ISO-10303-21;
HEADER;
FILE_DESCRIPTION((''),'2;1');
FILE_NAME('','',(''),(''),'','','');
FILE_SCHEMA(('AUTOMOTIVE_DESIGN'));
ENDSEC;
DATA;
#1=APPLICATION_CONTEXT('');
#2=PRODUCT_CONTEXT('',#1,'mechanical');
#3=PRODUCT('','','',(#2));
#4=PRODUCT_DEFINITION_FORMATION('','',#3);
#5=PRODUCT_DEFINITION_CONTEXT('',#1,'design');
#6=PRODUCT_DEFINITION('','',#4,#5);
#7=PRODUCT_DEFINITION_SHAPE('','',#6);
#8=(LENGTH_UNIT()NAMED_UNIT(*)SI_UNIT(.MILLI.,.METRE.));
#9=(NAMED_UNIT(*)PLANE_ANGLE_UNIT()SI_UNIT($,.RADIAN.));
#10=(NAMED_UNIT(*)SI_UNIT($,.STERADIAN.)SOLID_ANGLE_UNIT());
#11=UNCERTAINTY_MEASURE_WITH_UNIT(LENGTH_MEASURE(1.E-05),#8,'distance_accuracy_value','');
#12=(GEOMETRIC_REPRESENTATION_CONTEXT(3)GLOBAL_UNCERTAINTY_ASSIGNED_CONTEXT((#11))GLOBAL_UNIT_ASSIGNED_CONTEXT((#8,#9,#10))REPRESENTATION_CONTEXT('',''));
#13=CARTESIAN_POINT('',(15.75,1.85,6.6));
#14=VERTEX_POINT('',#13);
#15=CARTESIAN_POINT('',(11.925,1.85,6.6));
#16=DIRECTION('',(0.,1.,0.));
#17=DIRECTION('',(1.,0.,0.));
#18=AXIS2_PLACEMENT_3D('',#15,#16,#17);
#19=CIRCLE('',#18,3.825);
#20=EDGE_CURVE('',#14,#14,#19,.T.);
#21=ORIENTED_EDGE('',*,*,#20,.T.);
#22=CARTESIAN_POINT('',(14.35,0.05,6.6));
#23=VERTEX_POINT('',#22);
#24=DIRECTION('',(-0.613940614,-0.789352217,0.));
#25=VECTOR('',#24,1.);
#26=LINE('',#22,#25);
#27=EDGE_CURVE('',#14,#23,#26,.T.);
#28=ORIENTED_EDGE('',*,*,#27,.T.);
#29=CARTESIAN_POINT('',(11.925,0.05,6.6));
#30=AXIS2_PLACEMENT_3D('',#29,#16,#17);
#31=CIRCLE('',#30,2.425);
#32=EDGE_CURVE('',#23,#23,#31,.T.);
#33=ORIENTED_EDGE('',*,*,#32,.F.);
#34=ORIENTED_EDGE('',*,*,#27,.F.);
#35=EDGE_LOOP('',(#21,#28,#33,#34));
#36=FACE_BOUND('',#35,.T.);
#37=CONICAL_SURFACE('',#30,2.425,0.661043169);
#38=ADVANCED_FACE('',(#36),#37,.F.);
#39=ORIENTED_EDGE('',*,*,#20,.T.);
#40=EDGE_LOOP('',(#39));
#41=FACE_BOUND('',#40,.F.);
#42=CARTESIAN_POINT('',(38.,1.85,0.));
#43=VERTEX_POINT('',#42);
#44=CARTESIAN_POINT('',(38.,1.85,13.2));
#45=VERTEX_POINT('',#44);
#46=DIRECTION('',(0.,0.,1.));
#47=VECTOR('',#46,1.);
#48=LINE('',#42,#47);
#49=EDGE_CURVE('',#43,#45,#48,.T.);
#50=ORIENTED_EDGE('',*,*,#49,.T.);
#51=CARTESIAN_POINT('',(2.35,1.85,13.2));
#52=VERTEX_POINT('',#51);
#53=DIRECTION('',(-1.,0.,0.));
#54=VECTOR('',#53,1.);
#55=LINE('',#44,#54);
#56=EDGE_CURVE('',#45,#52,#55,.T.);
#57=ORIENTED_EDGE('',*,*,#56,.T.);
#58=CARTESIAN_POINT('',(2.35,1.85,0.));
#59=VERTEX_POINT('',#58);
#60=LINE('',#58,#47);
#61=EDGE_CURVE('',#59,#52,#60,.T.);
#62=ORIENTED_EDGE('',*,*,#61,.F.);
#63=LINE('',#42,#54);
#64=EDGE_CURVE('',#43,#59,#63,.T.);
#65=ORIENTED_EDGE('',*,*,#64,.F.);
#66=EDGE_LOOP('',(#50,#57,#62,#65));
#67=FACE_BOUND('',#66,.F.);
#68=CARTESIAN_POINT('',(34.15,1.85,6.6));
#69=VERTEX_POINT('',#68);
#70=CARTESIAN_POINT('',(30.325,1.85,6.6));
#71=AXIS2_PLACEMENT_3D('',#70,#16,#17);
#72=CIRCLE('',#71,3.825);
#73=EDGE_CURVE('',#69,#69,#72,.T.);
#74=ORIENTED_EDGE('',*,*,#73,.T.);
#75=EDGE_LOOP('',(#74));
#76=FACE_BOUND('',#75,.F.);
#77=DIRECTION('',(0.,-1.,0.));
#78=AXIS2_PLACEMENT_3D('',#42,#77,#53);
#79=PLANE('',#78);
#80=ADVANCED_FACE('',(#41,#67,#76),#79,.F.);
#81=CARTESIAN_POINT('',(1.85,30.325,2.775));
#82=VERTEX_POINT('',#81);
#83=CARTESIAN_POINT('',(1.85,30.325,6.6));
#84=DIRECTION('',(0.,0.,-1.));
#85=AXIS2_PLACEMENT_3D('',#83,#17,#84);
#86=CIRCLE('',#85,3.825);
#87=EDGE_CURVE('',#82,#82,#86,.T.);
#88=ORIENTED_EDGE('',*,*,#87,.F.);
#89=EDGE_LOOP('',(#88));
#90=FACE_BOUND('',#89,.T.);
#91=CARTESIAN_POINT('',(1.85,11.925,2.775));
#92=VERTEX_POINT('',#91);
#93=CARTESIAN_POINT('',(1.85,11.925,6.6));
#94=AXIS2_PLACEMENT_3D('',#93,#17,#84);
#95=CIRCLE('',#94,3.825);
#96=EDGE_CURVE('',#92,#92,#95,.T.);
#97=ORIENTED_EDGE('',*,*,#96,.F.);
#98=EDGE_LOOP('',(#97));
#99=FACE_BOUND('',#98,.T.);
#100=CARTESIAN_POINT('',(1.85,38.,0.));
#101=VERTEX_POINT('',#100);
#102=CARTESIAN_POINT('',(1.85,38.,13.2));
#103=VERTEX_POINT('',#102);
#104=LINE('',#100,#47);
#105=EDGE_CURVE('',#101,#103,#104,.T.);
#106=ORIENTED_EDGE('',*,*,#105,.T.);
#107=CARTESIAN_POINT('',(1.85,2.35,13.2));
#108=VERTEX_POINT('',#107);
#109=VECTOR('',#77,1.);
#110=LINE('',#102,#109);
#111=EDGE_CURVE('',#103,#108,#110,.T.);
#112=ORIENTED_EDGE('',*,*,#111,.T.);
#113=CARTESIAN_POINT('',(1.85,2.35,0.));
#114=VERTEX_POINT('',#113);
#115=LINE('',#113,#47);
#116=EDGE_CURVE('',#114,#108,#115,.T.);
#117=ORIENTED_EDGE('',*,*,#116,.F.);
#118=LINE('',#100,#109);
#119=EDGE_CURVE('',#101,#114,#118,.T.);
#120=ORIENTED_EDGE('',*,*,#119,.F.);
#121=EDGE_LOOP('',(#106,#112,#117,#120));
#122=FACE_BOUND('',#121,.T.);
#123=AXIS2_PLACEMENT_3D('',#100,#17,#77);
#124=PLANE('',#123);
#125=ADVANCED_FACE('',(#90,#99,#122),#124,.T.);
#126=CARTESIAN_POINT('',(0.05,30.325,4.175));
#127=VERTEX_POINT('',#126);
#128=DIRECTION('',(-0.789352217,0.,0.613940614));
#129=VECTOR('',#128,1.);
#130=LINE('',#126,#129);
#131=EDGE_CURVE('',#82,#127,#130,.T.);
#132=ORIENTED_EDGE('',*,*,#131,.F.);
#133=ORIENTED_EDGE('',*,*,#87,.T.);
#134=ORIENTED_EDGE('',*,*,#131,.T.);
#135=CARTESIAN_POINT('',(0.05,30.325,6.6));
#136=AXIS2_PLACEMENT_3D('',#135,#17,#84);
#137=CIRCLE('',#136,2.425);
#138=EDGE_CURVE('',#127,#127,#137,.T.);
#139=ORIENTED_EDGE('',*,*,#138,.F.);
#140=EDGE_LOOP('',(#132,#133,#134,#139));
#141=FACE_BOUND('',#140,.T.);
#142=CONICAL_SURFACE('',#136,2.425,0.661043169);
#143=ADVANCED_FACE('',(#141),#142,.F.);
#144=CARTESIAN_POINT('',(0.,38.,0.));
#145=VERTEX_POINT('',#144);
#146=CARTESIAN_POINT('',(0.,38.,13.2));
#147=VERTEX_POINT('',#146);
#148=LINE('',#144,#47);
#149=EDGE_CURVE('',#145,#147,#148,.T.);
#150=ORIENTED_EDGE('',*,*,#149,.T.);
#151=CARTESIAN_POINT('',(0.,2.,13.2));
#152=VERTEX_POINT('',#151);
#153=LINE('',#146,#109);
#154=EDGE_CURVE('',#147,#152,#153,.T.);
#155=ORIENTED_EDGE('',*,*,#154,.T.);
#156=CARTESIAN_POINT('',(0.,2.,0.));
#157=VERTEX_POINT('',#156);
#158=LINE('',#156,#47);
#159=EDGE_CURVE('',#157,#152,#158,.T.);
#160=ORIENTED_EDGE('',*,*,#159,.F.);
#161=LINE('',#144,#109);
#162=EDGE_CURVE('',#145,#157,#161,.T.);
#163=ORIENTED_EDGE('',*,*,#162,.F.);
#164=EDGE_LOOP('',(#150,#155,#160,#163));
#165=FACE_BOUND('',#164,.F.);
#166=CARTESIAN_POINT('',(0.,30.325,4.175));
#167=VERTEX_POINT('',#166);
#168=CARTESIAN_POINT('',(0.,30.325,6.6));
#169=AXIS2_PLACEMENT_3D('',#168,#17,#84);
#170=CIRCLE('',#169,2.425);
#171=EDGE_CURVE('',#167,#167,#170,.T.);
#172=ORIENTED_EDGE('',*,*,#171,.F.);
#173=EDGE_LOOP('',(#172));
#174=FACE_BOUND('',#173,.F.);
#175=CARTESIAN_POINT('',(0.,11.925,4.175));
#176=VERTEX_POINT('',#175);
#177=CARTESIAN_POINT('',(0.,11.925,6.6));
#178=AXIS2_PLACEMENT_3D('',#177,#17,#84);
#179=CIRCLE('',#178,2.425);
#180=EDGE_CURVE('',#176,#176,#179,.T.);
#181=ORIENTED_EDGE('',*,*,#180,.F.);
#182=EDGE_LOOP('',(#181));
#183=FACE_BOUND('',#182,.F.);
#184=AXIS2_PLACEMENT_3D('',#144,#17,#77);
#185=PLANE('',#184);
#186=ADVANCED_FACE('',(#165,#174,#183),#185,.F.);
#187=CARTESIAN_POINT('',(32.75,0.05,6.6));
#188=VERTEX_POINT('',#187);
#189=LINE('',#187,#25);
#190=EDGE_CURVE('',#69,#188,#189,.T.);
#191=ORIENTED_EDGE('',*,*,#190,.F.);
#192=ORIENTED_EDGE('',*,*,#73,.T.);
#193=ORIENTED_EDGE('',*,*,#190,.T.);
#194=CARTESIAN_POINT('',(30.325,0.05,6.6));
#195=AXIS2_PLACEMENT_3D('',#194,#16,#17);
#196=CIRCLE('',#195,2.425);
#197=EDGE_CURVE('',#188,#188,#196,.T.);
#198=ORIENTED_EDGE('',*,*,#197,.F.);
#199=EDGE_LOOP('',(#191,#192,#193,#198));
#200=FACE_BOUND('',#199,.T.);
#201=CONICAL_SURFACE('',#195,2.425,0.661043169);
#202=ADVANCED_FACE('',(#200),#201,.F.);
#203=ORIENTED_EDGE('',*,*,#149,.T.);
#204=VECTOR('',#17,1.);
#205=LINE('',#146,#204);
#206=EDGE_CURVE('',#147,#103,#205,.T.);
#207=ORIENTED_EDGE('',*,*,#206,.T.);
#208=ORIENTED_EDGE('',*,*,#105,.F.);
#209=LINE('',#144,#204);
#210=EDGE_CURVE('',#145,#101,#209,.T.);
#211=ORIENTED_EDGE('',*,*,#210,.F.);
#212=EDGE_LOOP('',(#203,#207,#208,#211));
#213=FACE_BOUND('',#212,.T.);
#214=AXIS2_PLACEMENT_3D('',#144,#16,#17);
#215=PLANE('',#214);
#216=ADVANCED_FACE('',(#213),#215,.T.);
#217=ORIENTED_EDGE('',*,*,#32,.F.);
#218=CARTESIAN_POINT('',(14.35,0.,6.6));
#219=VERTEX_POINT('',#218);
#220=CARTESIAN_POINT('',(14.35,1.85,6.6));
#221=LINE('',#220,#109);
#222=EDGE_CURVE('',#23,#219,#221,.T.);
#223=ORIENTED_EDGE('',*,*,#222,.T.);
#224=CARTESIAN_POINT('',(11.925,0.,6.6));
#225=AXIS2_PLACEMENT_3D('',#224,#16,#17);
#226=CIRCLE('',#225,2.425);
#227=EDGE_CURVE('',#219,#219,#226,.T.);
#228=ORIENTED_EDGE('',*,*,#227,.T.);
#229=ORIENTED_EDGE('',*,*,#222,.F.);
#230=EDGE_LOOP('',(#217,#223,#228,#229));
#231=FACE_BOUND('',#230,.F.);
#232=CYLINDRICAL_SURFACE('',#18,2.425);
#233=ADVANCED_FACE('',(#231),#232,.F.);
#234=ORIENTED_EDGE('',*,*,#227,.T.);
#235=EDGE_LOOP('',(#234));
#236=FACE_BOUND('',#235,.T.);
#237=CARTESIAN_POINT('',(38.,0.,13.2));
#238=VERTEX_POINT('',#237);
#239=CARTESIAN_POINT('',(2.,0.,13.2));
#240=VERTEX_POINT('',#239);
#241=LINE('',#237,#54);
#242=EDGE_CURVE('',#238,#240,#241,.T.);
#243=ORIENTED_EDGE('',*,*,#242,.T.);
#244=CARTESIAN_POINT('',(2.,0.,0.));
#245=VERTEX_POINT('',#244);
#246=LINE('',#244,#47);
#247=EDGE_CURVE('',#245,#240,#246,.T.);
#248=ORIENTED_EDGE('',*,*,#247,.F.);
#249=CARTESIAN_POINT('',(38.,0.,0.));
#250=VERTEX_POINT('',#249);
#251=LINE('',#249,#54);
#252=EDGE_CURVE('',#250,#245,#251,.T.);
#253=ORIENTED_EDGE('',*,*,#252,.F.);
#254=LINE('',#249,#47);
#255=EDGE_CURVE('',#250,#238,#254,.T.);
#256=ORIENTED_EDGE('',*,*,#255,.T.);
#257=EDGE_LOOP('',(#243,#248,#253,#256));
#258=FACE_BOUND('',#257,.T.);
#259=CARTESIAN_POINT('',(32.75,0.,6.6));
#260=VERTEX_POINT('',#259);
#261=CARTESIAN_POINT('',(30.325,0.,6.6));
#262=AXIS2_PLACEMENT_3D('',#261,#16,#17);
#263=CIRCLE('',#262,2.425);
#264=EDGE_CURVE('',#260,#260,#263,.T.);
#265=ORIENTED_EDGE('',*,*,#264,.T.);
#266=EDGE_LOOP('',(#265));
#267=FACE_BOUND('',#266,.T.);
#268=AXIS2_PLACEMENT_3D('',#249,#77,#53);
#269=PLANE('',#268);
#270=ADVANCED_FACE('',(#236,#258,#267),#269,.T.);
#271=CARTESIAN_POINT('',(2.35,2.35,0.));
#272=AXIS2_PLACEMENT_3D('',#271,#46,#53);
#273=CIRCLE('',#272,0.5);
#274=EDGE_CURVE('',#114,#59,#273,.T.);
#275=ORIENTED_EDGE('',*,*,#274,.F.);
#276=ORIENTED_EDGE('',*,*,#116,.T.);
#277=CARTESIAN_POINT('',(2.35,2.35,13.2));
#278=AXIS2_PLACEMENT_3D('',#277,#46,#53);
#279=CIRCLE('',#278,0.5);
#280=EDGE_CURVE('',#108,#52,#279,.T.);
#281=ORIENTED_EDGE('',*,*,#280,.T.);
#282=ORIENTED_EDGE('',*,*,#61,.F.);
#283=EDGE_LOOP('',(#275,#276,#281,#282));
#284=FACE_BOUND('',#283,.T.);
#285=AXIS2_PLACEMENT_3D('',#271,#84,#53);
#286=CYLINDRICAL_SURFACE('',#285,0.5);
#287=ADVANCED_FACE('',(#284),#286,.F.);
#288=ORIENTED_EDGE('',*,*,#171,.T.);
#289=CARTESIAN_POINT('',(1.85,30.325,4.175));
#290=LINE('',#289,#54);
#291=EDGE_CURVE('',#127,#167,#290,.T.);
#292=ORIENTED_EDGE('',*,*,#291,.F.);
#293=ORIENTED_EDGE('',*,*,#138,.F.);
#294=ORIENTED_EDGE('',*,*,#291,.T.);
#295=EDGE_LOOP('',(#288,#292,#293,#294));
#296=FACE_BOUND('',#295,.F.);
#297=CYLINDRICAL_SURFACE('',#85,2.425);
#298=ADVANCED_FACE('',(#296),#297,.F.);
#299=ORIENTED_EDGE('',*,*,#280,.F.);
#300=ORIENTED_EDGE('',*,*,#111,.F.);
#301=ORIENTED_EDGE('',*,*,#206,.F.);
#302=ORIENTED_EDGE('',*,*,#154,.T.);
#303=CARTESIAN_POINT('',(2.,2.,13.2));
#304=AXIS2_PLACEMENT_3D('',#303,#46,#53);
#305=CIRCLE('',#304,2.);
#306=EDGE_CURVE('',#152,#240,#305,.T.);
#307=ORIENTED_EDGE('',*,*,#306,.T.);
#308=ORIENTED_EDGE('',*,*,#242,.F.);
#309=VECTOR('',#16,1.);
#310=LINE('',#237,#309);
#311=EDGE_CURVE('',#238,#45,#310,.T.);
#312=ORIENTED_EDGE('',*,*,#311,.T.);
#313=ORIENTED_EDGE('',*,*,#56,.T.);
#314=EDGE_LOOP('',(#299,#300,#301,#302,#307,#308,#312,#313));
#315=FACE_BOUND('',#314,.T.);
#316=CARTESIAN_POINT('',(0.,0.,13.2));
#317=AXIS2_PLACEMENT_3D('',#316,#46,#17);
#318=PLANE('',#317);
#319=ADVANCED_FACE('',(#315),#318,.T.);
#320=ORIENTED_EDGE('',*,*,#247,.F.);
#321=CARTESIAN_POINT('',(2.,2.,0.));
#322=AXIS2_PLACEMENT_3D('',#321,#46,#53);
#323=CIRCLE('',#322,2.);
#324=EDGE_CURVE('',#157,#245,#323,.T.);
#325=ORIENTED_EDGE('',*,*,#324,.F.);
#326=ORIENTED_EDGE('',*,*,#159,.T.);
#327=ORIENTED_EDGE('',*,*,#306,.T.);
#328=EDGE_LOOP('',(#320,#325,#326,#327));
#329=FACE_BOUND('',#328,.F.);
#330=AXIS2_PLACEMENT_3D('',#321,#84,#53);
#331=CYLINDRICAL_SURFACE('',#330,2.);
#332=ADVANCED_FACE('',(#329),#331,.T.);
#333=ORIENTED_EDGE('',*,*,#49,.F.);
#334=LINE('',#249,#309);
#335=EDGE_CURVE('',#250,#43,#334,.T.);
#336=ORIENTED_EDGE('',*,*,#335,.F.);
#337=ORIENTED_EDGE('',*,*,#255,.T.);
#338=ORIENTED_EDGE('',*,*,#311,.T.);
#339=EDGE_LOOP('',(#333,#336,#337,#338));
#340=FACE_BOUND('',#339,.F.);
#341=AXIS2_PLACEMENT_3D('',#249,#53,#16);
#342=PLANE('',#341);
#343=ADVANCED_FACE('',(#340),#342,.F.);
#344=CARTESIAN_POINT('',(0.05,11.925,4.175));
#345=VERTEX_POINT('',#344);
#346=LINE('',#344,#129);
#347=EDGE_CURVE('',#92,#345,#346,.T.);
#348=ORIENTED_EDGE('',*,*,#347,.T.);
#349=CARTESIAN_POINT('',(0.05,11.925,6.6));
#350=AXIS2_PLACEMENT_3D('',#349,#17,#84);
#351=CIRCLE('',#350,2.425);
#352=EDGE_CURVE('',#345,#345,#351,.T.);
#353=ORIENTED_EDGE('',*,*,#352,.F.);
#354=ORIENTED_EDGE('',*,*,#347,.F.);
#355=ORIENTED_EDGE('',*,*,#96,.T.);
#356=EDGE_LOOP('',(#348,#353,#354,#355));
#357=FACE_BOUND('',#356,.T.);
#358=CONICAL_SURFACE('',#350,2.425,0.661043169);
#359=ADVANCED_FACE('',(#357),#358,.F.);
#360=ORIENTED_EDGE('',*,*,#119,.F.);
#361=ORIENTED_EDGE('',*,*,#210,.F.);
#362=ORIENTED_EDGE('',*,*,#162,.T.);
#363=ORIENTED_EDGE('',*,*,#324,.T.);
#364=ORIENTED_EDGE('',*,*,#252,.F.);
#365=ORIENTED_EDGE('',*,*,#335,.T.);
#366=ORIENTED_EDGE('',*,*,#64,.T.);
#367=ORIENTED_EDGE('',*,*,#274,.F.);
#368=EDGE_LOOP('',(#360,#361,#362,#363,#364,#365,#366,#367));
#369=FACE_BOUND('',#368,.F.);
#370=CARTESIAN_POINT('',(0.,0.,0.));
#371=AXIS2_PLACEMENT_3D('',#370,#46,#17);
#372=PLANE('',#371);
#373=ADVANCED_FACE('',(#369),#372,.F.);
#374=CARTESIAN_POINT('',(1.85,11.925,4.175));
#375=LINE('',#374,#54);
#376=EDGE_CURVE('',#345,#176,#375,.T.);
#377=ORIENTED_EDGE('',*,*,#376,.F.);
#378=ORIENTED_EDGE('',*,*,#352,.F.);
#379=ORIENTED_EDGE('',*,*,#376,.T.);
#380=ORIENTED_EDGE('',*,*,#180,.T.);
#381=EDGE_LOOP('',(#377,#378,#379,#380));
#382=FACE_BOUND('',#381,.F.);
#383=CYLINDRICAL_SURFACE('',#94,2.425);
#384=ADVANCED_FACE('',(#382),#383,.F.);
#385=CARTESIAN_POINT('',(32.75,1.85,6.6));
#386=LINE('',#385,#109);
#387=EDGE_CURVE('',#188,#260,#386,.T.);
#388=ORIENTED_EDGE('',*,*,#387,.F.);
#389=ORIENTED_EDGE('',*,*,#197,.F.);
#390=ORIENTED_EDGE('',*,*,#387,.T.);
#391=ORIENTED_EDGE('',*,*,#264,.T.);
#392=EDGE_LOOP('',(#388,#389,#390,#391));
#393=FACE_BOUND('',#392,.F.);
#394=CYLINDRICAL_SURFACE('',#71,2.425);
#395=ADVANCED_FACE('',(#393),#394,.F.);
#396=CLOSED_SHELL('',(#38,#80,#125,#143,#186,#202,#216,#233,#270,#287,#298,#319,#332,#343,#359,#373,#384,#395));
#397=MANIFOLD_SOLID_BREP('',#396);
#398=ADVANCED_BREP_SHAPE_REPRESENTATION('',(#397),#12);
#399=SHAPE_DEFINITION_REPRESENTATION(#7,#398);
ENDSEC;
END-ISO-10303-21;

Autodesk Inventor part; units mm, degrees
ref_plane "YZ Plane" through (0, 0, 0) normal (1, 0, 0) x (0, 1, 0)
ref_plane "XZ Plane" through (0, 0, 0) normal (0, 1, 0) x (-1, 0, 0)
ref_plane "XY Plane" through (0, 0, 0) normal (0, 0, 1) x (1, 0, 0)
sketch "Sketch1" plane through (0, 0, 0) normal (0, 0, 1) x (1, 0, 0)
  line L0 (0, 38) -> (1.85, 38)
  line L1 (1.85, 38) -> (1.85, 2.35)
  line L2 (0, 38) -> (0, 2)
  line L3 (38, 0) -> (38, 1.85)
  line L4 (38, 1.85) -> (2.35, 1.85)
  line L5 (38, 0) -> (2, 0)
  arc A0 (1.85, 2.35) -> (2.35, 1.85) centre (2.35, 2.35) ccw
  arc A1 (0, 2) -> (2, 0) centre (2, 2) ccw
  point P0 (0, 0)
  dimension "d0" = 1.85
  dimension "d1" = 1.85
  dimension "d2" = 38
  dimension "d3" = 38
  dimension "d4" = 0.5
  dimension "d5" = 2
extrude "Extrusion1" add sketch "Sketch1" along normal blind 13.2
sketch "Sketch2" plane through (1.85, 2.35, 0) normal (1, 0, 0) x (0, 0, -1)
  circle A0 centre (-6.6, 27.975) radius 2.425
  circle A1 centre (-6.6, 9.575) radius 2.425
  line L0 (0, 35.65) -> (-13.2, 35.65) projected
  line L1 (-13.2, 0) -> (-13.2, 35.65) projected
  point P0 (0, -2.35)
  dimension "d8" = 18.4
  dimension "d9" = 4.85
  dimension "d10" = 4.85
  dimension "d11" = 5.25
  dimension "d12" = 13.2
  dimension "d13" = 6.6
  dimension "d14" = 6.6
sketch "Sketch3" plane through (2.35, 1.85, 0) normal (0, 1, 0) x (1, 0, 0)
  circle A0 centre (27.975, -6.6) radius 2.425
  circle A1 centre (9.575, -6.6) radius 2.425
  line L0 (35.65, -13.2) -> (0, -13.2) projected
  line L1 (35.65, 0) -> (35.65, -13.2) projected
  point P0 (-2.35, 0)
  dimension "d15" = 18.4
  dimension "d16" = 6.6
  dimension "d17" = 6.6
  dimension "d18" = 4.85
  dimension "d19" = 4.85
  dimension "d20" = 5.25
extrude "Extrusion2" cut sketch "Sketch2" against normal blind 13.2
extrude "Extrusion3" cut sketch "Sketch3" against normal blind 13.2
chamfer "Chamfer1" distance 1.4 distance2 1.8 1 edges at (1.85, 30.325, 9.025) measured on face at (1.85, 23.3649, 1.4152)
chamfer "Chamfer2" distance 1.4 distance2 1.8 1 edges at (9.5, 1.85, 6.6) measured on face at (17.5224, 1.85, 1.3976)
chamfer "Chamfer3" distance 1.4 distance2 1.8 1 edges at (1.85, 11.925, 9.025) measured on face at (1.85, 23.2532, 12.238)
chamfer "Chamfer4" distance 1.4 distance2 1.8 1 edges at (27.9, 1.85, 6.6) measured on face at (17.5787, 1.85, 0.9343)
equation "\"d13\" = 0.5 * d12"
equation "\"d14\" = d13"
equation "\"d17\" = d16"
properties part number "L-Bracket"
